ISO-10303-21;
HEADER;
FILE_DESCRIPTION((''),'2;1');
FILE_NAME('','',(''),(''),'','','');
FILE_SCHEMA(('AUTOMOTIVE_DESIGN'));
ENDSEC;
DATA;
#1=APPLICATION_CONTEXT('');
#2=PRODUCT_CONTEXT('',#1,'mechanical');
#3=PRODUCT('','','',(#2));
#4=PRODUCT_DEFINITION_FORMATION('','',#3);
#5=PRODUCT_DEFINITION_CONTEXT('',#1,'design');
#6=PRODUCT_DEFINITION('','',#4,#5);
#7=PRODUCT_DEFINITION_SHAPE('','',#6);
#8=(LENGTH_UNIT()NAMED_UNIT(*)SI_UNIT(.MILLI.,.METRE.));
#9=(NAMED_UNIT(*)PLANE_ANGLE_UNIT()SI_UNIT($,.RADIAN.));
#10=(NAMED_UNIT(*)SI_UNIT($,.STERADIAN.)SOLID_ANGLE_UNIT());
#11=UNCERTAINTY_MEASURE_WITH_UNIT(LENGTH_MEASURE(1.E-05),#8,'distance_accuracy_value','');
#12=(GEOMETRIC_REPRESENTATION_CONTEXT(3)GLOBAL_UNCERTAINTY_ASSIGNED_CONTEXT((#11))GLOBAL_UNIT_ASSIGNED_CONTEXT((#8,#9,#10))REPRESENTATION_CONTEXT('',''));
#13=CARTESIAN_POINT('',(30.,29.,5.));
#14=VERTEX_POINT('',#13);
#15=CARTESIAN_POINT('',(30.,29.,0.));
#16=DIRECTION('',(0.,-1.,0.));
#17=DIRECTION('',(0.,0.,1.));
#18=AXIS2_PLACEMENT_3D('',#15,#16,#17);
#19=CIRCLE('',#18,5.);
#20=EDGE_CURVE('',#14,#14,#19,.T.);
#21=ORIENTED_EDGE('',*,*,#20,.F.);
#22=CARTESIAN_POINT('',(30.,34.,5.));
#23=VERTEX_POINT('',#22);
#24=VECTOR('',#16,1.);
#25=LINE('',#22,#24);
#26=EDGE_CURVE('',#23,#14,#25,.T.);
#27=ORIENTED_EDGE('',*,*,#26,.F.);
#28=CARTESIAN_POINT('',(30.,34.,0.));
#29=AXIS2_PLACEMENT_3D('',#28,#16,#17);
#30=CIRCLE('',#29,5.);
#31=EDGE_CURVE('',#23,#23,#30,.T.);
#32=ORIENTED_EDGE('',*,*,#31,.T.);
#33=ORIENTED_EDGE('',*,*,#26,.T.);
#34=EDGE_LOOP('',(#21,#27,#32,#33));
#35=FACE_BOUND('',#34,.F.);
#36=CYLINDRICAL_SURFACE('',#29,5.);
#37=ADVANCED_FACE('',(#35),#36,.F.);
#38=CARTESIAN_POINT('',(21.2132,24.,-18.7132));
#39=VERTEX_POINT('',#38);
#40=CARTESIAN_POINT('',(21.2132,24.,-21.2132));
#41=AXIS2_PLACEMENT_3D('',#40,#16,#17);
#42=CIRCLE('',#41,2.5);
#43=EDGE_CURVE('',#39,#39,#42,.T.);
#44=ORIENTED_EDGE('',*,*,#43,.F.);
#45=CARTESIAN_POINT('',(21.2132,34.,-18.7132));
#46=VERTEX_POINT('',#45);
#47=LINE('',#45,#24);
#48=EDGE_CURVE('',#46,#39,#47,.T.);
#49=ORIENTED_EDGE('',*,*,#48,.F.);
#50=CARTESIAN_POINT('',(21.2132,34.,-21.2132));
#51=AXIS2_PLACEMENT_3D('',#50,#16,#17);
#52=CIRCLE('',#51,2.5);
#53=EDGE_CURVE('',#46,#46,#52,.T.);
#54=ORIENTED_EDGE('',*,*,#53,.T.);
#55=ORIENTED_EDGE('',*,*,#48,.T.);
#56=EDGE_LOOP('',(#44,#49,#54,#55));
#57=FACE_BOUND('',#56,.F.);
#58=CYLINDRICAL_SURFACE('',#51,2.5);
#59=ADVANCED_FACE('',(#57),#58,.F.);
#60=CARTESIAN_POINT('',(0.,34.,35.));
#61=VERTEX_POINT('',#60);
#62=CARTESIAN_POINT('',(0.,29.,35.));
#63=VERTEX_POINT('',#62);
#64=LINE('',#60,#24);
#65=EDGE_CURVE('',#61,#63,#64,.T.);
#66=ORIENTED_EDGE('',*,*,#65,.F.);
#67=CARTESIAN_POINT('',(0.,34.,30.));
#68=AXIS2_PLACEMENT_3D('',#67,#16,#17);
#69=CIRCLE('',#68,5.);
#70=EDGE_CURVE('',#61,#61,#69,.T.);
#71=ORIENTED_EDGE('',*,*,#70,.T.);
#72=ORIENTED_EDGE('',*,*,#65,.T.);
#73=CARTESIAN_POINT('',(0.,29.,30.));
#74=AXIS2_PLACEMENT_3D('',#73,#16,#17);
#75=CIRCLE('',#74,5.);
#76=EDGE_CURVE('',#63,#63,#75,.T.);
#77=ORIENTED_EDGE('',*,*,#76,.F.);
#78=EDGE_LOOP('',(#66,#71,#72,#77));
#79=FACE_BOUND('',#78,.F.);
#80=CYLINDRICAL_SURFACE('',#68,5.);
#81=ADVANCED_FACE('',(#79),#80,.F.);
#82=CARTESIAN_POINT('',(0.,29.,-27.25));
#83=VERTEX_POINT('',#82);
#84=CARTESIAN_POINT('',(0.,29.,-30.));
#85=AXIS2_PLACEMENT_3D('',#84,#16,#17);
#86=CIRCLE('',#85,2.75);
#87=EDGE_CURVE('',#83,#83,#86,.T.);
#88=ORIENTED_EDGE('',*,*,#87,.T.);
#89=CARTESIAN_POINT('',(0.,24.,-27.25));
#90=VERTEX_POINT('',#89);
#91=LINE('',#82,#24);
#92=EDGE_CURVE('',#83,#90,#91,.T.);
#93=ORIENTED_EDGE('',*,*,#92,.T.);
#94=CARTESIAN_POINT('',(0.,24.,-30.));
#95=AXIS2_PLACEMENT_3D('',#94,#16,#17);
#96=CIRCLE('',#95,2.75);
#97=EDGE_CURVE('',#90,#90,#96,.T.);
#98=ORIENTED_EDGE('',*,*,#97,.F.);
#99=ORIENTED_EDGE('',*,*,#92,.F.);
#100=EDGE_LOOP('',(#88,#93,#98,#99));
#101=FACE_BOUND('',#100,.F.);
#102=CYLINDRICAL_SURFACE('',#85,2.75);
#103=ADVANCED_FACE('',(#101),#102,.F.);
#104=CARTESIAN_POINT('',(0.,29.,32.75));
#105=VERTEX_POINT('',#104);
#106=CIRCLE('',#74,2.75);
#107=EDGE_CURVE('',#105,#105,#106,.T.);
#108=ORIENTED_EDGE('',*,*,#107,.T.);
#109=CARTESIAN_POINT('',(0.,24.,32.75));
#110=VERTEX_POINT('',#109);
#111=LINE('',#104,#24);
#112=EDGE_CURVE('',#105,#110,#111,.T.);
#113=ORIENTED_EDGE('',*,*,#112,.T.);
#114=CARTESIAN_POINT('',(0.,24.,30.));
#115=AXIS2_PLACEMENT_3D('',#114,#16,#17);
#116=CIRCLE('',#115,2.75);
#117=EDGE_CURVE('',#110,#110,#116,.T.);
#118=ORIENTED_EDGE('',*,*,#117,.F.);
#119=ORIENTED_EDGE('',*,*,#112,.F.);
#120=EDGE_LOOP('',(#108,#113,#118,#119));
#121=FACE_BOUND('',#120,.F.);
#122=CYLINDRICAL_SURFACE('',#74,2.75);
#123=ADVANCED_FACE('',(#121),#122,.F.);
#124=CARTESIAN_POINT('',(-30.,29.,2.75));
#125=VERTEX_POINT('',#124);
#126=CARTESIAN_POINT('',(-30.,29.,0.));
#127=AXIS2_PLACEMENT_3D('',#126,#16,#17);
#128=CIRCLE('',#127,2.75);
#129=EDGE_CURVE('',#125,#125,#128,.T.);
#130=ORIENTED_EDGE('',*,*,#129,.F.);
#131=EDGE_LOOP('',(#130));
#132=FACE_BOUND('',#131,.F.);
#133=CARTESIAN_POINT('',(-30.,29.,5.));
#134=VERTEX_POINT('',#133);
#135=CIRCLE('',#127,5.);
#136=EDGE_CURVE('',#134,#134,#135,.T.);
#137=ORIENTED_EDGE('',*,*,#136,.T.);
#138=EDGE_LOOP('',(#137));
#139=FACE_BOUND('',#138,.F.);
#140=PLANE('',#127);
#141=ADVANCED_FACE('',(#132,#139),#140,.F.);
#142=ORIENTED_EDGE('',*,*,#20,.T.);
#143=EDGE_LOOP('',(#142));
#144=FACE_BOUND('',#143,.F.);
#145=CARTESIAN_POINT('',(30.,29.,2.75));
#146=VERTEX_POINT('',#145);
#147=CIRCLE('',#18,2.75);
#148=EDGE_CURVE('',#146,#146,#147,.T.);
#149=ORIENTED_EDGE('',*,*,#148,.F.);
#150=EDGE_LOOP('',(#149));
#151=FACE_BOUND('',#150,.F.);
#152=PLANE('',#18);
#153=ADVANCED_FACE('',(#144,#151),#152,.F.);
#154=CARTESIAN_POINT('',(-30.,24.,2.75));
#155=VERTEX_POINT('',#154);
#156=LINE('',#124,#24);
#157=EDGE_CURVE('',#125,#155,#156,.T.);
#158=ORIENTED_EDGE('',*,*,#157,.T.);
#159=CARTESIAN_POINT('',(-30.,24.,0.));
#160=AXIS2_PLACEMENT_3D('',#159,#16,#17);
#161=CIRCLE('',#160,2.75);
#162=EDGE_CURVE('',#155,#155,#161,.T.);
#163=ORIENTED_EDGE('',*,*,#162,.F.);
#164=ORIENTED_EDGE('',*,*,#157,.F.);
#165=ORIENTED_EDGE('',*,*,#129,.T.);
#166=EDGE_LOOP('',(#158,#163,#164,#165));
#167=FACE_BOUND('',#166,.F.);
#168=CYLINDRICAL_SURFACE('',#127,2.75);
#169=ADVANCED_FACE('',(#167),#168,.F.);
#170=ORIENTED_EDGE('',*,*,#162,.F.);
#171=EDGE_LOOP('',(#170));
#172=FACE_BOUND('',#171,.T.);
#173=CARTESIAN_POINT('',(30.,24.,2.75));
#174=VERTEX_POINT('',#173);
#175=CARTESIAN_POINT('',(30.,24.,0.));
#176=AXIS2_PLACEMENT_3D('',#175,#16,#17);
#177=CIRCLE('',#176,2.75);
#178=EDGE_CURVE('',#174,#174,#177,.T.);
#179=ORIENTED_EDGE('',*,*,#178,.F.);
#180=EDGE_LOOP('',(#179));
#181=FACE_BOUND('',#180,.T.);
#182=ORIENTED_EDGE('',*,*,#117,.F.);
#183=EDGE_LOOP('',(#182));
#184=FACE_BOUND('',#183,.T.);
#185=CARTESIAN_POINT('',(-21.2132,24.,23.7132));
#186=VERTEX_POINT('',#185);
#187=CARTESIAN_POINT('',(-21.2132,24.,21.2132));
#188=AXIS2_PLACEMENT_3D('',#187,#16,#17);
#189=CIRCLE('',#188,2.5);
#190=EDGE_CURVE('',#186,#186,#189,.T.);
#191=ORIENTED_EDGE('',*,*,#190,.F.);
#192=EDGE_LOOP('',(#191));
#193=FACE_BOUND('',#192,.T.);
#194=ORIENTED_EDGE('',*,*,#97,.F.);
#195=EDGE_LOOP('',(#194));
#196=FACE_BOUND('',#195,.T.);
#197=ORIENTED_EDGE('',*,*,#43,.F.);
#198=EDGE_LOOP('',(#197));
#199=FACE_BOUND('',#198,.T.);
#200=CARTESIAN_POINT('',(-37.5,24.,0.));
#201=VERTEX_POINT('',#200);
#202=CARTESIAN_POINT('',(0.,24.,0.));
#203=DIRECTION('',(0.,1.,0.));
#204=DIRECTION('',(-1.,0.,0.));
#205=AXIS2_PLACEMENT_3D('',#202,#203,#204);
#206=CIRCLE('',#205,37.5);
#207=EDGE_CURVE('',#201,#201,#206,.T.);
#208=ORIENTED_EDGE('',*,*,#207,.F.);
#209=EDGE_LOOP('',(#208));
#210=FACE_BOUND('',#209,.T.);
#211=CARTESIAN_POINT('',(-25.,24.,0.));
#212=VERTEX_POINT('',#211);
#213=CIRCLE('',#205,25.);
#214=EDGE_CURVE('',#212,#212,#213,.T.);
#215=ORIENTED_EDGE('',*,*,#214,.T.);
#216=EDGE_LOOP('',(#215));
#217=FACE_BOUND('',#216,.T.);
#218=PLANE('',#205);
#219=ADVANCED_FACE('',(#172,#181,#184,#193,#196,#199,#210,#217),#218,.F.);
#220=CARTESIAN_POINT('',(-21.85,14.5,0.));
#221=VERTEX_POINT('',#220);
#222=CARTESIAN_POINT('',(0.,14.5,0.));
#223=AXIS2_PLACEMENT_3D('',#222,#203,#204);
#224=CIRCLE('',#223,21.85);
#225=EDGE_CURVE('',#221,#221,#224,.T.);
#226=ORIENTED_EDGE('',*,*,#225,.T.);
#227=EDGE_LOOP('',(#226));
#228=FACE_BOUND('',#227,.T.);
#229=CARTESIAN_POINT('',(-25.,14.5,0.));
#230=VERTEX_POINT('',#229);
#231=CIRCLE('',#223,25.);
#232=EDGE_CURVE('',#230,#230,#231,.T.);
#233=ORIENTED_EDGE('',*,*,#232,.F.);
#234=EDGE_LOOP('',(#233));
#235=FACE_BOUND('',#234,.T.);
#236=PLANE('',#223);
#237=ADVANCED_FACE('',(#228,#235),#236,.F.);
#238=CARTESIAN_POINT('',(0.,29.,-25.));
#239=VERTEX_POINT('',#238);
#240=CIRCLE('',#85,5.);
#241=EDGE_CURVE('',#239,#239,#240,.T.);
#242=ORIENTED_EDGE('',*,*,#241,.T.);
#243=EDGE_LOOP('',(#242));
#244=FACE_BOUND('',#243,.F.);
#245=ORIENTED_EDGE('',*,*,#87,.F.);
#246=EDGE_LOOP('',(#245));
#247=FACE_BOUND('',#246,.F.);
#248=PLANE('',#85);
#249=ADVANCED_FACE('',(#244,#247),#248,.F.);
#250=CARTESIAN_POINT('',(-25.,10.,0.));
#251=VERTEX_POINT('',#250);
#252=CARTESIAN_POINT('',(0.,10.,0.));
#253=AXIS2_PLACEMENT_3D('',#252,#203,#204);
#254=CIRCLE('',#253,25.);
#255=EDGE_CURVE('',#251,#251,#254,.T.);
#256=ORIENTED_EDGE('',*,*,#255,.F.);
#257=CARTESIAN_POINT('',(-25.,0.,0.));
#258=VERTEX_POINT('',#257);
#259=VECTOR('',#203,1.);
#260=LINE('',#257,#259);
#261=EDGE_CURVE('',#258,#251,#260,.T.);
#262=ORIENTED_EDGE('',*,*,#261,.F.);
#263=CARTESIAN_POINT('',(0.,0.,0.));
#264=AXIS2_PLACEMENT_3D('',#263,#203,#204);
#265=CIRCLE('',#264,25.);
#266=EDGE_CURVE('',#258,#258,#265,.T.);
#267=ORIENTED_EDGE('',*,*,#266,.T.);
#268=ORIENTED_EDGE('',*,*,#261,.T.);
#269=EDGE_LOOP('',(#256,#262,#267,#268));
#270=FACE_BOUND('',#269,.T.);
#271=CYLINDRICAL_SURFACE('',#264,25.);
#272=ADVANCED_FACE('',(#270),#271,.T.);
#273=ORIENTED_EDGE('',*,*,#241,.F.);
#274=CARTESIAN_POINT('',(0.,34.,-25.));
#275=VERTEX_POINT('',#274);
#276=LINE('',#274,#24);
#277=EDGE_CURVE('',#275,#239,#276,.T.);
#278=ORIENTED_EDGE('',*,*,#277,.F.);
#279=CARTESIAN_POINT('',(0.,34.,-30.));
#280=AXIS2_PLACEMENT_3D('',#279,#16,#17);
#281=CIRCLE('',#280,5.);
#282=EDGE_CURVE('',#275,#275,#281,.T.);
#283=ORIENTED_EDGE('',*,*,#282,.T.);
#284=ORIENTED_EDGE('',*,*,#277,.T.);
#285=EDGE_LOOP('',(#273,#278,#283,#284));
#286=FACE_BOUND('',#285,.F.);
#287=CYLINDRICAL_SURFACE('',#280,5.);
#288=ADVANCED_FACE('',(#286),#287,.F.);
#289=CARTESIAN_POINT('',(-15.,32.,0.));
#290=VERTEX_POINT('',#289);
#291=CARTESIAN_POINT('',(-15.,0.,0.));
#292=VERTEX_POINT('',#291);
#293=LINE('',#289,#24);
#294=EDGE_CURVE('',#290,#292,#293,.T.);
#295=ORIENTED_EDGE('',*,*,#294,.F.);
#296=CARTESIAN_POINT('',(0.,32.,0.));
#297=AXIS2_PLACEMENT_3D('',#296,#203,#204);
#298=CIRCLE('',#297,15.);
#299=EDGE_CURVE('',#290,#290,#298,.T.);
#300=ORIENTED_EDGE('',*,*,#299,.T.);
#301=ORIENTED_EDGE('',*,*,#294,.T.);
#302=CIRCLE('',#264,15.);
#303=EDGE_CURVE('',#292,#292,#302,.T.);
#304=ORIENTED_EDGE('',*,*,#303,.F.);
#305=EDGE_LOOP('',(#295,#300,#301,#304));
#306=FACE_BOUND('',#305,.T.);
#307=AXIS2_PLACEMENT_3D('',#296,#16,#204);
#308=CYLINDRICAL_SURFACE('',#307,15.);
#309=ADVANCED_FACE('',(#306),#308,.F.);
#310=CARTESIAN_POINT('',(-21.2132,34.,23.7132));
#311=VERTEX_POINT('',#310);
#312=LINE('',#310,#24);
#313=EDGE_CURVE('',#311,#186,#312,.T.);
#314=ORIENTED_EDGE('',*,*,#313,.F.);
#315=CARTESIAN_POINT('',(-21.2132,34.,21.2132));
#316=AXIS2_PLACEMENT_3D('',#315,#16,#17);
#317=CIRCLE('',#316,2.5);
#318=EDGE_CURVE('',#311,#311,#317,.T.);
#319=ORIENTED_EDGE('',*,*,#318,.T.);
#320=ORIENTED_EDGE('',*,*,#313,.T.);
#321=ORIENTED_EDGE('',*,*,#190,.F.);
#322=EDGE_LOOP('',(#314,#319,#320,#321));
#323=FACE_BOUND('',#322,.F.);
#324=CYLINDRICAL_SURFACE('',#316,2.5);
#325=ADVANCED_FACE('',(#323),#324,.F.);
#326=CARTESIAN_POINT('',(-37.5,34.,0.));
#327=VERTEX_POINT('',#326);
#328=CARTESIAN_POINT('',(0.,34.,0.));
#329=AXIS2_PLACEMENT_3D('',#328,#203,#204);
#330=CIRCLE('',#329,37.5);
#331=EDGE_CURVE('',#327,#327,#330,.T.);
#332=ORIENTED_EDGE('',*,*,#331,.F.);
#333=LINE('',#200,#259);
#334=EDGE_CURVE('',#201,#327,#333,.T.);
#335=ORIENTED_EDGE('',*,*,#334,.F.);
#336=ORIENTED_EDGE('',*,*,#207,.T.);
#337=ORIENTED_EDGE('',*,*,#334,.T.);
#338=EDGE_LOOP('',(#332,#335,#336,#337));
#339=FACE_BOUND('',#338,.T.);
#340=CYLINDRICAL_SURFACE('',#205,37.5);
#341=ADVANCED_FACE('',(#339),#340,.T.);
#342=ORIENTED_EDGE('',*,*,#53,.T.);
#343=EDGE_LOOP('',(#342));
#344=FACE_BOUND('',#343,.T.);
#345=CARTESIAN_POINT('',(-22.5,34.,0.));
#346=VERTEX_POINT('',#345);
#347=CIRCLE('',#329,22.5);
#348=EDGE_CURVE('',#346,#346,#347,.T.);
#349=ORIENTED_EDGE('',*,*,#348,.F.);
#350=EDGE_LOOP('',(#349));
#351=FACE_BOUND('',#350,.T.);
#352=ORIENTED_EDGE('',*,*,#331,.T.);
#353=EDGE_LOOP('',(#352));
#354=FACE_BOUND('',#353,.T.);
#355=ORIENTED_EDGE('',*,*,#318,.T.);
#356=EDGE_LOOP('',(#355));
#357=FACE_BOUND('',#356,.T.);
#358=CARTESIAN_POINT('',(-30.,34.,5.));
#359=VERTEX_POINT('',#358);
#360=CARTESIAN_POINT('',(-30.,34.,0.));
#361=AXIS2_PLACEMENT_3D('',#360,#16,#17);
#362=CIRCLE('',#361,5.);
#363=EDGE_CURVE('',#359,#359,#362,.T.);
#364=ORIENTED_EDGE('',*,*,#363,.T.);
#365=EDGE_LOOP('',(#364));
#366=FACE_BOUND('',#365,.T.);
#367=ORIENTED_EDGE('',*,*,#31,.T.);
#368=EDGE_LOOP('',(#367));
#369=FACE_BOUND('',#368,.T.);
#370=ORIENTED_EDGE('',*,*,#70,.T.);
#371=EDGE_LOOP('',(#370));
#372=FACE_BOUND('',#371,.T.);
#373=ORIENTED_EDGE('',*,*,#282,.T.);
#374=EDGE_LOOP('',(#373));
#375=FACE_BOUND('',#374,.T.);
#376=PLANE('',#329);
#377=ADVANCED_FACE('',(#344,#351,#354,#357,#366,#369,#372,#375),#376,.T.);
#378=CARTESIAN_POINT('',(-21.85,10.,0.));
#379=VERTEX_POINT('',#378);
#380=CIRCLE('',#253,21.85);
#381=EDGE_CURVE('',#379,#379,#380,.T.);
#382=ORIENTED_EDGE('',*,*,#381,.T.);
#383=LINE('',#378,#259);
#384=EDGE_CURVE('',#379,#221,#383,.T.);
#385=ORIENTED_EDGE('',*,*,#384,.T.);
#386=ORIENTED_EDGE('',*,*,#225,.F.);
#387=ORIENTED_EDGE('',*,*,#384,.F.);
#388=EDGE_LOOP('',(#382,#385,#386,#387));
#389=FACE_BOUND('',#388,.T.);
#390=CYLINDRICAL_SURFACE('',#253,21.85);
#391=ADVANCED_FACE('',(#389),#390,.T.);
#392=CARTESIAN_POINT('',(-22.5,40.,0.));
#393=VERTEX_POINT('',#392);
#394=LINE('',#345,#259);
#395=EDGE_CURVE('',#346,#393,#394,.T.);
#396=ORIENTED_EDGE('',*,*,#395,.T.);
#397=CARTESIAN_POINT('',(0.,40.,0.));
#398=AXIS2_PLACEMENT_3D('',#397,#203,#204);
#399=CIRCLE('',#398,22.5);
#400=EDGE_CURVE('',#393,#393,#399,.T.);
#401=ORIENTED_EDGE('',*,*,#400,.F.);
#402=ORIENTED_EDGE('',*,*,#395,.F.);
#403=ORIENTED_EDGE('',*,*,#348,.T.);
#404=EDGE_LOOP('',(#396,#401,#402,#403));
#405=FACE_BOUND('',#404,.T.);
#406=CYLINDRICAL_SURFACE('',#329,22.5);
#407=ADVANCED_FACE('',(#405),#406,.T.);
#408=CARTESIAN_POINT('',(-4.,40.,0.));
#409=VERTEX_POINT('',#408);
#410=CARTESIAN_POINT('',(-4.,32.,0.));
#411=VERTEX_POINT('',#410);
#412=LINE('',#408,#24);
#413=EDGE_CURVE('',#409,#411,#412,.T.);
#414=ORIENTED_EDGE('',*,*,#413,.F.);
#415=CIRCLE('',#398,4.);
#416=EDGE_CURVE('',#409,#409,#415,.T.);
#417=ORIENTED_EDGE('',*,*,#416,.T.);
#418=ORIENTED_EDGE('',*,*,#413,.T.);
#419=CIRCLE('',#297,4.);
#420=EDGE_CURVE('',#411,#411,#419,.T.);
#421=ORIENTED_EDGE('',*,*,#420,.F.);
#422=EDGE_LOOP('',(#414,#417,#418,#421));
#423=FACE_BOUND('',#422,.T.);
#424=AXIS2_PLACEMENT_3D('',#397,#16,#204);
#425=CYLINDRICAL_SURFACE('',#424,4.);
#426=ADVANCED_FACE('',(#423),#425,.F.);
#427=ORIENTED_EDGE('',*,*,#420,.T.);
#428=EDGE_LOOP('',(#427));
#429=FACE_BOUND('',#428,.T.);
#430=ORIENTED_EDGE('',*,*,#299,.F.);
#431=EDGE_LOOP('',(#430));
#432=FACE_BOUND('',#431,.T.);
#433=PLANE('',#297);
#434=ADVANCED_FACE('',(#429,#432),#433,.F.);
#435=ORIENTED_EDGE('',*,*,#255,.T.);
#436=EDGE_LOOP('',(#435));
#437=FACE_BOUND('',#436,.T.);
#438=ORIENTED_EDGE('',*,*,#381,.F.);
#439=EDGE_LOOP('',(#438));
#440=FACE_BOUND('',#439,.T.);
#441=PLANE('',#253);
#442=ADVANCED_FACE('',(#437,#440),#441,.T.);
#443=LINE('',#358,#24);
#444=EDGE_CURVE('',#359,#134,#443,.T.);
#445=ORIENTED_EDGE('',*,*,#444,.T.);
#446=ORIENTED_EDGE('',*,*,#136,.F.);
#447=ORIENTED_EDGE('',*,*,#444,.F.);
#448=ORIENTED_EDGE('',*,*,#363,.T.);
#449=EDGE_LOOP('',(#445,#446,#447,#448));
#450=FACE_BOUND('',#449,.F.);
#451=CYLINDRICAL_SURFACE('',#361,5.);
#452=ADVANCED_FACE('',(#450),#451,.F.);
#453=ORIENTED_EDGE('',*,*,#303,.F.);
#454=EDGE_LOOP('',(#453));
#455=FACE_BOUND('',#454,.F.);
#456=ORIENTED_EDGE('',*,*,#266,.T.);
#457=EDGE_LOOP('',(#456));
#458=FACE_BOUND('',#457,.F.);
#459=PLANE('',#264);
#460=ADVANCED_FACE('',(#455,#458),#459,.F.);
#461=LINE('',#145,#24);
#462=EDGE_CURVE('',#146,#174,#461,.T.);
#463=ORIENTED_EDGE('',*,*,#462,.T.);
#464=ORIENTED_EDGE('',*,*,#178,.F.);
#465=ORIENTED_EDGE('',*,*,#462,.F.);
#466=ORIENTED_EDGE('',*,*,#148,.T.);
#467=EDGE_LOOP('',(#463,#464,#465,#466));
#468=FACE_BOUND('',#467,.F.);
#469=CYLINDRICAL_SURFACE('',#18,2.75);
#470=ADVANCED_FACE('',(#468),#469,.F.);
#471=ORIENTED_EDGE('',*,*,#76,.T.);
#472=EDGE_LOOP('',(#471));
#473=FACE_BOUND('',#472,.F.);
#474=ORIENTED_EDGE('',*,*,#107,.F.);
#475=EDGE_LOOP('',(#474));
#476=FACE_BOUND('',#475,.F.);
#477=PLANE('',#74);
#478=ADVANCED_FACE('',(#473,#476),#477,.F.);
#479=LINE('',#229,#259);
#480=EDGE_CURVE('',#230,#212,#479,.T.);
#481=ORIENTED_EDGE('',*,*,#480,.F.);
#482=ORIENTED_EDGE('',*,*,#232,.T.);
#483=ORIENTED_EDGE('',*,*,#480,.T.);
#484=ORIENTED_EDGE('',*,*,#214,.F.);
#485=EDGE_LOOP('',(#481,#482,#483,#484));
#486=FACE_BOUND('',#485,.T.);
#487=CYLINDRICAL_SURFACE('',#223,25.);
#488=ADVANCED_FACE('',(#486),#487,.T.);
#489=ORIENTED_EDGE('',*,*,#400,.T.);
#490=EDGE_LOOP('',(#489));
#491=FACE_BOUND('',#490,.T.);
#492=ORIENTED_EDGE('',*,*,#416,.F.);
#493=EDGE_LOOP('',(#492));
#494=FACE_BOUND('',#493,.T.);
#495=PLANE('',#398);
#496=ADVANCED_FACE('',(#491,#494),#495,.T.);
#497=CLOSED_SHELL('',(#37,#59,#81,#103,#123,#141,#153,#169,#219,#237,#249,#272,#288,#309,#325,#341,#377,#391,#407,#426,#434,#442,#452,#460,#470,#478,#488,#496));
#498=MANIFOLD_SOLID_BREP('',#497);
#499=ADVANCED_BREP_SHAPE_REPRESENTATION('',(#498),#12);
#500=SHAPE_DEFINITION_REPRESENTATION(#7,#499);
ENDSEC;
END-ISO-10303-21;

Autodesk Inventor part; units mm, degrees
ref_plane "YZ Plane" through (0, 0, 0) normal (1, 0, 0) x (0, 1, 0)
ref_plane "XZ Plane" through (0, 0, 0) normal (0, 1, 0) x (-1, 0, 0)
ref_plane "XY Plane" through (0, 0, 0) normal (0, 0, 1) x (1, 0, 0)
sketch "Schizzo1" plane through (0, 0, 0) normal (0, 0, 1) x (1, 0, 0)
  line L0 (0, 0) -> (0, 24.2842) construction
  line L1 (-25, 0) -> (-25, 10)
  line L2 (-25, 10) -> (-21.85, 10)
  line L3 (-21.85, 10) -> (-21.85, 14.5)
  line L4 (-21.85, 14.5) -> (-25, 14.5)
  line L5 (-25, 14.5) -> (-25, 24)
  line L6 (-25, 24) -> (-37.5, 24)
  line L7 (-37.5, 24) -> (-37.5, 34)
  line L8 (-37.5, 34) -> (-22.5, 34)
  line L9 (-22.5, 34) -> (-22.5, 40)
  line L10 (-22.5, 40) -> (-4, 40)
  line L11 (-4, 40) -> (-4, 32)
  line L12 (-4, 32) -> (-15, 32)
  line L13 (-15, 32) -> (-15, 0)
  line L14 (-25, 0) -> (-15, 0)
  dimension "d0" = 30
  dimension "d1" = 8
  dimension "d2" = 43.7
  dimension "d3" = 50
  dimension "d4" = 45
  dimension "d5" = 75
  dimension "d9" = 24
  dimension "d10" = 34
  dimension "d11" = 32
  dimension "d13" = 4.5
  dimension "d14" = 10
  dimension "d15" = 40
revolve "Rivoluzione1" add sketch "Schizzo1" angle 360 about axis through (0, 0, 0) along (0, 1, 0)
sketch "Schizzo2" plane through (0, 34, 0) normal (0, 1, 0) x (1, 0, 0)
  circle A0 centre (0, 0) radius 25 projected
  circle A1 centre (0, 0) radius 30 construction
  circle A2 centre (30, 0) radius 3.496
  circle A3 centre (0, 30) radius 2.9704
  circle A4 centre (-30, 0) radius 3.7285
  circle A5 centre (0, -30) radius 3.043
  circle A6 centre (-21.2132, -21.2132) radius 2.9112
  circle A7 centre (21.2132, 21.2132) radius 2.3494
  dimension "d17" = 60
  dimension "d18" = 45
  dimension "d19" = 45
hole "Foro1" at (-30, 34, 0) at (0, 34, -30) at (30, 34, 0) at (0, 34, 30) direction (0, -1, 0) diameter 5.5 end through all counterbore diameter 10 counterbore depth 5
hole "Foro2" at (21.2132, 34, -21.2132) at (-21.2132, 34, 21.2132) direction (0, -1, 0) diameter 5 end through all
properties part number "05-16-2023 Pompa Manuale OLIO"
